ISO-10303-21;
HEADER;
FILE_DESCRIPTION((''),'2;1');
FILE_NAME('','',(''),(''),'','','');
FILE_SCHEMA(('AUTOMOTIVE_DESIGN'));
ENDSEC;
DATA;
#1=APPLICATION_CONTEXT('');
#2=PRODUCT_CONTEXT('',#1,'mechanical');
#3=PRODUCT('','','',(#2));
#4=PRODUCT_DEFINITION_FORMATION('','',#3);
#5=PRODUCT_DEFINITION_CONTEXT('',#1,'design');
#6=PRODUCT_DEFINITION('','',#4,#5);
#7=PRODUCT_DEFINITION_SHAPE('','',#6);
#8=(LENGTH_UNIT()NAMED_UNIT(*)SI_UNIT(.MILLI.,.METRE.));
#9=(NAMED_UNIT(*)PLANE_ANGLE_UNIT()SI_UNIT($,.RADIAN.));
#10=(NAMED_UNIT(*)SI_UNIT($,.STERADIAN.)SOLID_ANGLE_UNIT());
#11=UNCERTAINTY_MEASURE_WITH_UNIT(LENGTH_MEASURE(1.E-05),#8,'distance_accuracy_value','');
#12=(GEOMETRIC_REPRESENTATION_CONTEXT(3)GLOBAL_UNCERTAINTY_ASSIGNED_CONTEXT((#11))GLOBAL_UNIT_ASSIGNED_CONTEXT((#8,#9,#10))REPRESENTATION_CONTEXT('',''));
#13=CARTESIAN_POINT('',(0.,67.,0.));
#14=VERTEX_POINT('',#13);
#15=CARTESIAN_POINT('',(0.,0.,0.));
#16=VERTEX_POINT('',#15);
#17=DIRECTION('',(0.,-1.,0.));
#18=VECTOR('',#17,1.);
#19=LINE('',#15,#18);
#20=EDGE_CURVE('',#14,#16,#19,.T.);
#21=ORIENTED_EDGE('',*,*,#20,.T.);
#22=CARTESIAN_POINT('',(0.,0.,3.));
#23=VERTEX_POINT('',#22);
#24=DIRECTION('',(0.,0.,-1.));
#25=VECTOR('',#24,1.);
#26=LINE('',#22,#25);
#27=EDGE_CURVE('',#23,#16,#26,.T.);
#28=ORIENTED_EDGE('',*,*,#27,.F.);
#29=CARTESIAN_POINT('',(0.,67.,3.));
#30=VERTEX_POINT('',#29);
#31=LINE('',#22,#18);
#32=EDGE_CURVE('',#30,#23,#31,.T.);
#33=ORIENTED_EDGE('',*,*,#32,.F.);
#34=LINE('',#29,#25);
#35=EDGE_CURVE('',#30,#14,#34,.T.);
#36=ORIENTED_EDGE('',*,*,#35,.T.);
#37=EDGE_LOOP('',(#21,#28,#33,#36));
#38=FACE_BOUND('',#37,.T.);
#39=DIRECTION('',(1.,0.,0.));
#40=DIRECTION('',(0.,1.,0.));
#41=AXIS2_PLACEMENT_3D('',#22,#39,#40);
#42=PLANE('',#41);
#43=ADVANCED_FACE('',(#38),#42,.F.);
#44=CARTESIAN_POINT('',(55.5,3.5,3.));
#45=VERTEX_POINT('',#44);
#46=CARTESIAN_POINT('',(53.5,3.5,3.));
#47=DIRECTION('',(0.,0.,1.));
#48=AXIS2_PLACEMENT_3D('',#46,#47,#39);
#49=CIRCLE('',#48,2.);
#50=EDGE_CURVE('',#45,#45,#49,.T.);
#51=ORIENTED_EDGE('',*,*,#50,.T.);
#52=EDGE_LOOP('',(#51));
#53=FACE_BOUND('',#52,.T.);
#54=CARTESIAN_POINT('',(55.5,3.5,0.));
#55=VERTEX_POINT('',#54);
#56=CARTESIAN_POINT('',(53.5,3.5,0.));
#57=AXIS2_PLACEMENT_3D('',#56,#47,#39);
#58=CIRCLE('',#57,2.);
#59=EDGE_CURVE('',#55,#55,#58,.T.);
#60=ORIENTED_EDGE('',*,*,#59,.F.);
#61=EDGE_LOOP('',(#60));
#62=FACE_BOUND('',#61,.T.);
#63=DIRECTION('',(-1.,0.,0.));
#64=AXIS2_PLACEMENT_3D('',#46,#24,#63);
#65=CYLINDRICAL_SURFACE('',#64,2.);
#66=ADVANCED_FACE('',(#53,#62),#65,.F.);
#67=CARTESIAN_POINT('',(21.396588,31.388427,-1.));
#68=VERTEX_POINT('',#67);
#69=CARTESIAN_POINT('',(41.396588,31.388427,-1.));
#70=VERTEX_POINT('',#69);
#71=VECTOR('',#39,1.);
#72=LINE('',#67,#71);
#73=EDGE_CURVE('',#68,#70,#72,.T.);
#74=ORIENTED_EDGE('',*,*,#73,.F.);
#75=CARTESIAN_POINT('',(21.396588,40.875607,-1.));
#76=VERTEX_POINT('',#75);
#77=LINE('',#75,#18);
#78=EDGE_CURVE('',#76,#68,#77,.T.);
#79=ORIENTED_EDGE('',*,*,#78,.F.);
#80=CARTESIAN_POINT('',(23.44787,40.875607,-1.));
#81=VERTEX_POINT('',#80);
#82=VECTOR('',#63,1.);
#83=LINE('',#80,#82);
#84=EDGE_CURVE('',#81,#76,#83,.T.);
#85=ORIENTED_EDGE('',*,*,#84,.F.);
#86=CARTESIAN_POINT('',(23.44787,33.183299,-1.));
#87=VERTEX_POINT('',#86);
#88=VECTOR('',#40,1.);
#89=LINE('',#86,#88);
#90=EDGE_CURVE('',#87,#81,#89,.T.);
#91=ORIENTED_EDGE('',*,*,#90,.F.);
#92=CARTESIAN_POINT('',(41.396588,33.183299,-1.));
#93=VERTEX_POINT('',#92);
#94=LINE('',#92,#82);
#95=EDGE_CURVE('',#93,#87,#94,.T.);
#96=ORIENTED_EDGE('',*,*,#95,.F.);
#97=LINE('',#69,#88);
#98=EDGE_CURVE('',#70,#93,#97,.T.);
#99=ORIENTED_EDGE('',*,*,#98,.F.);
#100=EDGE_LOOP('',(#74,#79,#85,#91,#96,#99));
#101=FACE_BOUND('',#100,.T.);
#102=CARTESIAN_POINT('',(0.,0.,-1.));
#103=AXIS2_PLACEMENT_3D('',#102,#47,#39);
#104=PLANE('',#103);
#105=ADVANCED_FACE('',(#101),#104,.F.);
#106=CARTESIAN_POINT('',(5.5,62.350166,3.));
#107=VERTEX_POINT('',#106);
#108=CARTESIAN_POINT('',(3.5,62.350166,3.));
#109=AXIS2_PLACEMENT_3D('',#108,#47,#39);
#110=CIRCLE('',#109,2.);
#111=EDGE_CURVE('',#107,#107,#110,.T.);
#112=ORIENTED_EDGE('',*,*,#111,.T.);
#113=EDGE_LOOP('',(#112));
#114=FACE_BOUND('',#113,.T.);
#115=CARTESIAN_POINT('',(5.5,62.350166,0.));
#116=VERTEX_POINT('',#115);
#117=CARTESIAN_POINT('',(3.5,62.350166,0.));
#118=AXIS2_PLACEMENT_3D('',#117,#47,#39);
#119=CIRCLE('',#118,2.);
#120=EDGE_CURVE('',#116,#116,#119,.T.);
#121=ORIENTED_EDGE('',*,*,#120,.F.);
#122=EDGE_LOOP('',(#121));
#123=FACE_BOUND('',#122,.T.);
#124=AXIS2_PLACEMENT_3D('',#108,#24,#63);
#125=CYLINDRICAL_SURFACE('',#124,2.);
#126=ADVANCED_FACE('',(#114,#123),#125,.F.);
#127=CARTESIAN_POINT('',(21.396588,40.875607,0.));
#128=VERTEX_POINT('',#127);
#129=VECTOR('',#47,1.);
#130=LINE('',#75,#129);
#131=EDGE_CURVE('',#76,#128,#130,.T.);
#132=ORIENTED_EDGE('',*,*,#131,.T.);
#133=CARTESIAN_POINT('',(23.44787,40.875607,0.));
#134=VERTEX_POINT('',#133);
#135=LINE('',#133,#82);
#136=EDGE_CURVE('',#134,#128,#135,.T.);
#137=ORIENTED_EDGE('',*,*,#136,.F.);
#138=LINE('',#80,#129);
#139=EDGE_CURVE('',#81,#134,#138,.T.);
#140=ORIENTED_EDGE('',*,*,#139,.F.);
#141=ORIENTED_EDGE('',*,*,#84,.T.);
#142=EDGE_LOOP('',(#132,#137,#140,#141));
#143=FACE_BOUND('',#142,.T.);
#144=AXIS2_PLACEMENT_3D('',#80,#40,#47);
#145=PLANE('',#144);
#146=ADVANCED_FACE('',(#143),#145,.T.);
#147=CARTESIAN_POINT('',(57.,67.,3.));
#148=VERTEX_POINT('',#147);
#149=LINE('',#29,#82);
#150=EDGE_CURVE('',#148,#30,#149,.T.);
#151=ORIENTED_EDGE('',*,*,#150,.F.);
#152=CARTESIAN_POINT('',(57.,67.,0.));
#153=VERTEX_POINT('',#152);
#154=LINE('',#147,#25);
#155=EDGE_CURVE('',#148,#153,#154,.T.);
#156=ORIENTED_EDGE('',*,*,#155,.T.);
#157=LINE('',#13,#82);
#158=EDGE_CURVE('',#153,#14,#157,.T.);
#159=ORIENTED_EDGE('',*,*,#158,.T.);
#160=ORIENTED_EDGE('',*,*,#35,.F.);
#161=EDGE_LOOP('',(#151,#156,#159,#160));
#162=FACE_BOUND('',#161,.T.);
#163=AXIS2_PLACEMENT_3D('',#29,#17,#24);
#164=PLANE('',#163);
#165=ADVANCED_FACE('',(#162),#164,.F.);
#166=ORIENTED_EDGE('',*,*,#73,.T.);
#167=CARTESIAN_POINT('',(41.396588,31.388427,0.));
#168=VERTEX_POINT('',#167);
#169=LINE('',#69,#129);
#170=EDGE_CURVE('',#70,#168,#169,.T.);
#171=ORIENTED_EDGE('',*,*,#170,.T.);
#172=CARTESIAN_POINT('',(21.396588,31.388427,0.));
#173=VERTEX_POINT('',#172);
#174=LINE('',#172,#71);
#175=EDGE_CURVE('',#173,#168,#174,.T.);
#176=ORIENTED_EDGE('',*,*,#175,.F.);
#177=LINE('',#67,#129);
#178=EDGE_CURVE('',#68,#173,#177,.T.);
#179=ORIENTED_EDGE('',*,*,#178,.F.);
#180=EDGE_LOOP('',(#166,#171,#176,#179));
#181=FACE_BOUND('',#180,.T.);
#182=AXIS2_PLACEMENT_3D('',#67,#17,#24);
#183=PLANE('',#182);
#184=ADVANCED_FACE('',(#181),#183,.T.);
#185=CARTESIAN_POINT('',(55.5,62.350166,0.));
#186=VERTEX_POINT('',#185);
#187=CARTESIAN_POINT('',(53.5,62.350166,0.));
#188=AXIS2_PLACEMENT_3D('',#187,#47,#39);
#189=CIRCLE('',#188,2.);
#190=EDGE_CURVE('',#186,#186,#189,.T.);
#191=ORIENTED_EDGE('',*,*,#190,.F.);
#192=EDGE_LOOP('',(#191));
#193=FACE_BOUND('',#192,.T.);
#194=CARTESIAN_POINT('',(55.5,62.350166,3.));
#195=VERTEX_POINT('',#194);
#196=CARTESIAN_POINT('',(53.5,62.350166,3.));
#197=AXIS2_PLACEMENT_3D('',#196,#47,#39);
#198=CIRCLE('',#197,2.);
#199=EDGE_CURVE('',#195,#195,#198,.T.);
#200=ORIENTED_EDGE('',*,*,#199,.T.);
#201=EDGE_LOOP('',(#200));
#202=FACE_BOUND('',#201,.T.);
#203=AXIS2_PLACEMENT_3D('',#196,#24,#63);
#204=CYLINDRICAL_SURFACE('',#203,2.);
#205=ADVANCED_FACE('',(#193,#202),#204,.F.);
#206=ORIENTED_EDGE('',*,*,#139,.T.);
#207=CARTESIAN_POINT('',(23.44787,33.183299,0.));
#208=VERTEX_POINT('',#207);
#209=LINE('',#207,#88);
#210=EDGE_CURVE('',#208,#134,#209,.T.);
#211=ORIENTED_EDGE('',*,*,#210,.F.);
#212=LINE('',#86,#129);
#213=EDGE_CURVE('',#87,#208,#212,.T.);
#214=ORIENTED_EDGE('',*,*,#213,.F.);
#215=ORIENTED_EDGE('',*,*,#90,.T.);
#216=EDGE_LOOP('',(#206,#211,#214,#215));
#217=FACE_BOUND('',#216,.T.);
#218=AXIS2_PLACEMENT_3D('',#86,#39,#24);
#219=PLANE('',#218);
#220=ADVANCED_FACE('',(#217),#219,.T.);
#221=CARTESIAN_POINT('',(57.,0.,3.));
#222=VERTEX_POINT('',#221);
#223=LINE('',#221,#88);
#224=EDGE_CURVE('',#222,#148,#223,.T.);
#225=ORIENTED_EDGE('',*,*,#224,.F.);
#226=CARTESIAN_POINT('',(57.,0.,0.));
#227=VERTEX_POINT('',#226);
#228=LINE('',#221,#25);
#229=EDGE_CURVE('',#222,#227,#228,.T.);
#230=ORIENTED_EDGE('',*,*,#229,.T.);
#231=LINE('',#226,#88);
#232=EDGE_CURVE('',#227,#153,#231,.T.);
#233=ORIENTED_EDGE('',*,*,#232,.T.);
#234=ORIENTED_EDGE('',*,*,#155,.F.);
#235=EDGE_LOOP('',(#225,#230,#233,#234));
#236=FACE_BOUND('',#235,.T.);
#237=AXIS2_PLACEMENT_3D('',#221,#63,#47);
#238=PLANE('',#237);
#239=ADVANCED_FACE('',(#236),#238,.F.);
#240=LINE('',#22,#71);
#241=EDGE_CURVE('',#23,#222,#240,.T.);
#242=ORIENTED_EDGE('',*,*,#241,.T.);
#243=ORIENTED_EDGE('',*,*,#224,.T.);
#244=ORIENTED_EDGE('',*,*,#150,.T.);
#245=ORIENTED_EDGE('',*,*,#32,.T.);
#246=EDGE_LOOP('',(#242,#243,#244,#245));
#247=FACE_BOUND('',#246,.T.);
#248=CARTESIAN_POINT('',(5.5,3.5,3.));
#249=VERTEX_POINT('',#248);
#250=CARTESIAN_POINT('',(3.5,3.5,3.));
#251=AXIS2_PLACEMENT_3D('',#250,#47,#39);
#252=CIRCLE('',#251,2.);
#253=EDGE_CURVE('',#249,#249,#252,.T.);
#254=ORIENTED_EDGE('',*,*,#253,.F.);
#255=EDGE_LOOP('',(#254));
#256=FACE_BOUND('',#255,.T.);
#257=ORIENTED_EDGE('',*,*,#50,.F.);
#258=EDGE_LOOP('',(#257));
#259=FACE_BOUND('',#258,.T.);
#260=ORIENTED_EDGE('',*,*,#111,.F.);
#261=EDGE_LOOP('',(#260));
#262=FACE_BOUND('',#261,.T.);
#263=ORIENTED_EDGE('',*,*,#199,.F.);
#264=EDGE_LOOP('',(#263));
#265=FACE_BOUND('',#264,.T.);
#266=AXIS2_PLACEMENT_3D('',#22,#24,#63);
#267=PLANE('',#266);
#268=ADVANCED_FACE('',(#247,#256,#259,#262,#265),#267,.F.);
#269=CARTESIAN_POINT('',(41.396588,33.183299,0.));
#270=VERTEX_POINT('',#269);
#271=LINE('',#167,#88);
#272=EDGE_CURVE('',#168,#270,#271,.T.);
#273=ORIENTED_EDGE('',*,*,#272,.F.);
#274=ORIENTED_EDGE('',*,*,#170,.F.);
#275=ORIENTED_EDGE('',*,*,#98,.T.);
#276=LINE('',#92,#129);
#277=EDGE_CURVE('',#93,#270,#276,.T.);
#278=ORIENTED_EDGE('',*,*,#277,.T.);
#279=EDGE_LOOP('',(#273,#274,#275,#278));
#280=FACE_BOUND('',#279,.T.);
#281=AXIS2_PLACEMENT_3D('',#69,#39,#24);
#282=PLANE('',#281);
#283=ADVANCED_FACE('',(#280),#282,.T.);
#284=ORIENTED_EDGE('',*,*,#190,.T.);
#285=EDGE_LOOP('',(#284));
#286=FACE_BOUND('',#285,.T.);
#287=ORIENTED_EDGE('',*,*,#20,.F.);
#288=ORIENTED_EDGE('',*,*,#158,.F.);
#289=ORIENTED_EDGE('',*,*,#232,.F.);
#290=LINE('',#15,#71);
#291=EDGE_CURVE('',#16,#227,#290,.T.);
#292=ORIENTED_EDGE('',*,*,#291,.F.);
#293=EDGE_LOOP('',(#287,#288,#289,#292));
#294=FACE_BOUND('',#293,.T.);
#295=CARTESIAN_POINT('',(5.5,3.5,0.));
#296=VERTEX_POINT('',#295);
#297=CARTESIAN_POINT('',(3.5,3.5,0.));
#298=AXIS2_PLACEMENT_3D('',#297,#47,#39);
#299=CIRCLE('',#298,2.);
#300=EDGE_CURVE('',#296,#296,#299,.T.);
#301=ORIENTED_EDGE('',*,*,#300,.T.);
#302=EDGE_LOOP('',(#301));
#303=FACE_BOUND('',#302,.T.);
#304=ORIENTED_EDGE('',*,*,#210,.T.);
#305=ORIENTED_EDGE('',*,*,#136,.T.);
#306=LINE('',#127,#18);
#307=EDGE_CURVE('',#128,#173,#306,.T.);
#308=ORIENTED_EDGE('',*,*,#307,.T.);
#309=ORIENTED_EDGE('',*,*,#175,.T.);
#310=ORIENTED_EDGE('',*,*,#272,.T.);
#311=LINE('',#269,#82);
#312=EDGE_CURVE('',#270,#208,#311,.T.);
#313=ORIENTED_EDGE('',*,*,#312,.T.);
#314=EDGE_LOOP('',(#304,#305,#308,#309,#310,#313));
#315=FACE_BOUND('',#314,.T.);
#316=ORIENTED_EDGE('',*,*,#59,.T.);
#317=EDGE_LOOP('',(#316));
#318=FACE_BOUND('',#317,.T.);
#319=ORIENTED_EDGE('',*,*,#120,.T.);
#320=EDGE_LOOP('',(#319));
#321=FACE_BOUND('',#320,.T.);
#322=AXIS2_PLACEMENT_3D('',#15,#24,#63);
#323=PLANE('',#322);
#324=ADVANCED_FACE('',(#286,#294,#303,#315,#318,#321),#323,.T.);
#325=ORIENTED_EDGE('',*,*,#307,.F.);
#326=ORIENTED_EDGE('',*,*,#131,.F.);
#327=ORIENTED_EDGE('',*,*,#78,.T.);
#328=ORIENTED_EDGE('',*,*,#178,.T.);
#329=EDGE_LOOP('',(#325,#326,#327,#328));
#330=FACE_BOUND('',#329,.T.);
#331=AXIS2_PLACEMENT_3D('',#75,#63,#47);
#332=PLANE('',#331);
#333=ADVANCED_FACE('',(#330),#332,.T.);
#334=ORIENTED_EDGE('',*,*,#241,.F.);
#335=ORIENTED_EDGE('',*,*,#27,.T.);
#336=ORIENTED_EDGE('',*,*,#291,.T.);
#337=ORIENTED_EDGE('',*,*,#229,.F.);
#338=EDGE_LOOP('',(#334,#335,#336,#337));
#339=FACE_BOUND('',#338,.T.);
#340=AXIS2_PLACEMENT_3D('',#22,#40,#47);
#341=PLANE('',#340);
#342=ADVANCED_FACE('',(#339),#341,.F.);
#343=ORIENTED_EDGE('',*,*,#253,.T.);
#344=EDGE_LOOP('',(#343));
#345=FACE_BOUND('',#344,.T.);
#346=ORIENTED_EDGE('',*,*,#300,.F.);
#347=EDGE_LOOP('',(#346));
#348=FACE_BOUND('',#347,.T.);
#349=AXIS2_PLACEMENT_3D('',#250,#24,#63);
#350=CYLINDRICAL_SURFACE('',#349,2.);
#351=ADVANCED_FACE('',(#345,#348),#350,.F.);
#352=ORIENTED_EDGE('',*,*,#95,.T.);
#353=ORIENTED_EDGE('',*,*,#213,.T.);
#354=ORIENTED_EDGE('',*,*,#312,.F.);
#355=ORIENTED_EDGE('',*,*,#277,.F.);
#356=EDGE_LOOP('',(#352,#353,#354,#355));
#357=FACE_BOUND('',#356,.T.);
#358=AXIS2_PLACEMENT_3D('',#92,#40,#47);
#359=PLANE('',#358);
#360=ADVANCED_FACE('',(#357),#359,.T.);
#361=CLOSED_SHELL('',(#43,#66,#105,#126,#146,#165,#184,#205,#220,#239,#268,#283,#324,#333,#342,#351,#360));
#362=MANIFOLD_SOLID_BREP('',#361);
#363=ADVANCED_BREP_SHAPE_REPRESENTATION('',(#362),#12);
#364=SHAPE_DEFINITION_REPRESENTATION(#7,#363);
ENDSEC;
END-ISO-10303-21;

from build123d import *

# Parameters (mm, degrees)
SKICA1_W                = 57
SKICA1_H                = 67
SKICA1_R                = 2
P_IDAT_VYSUNUT_M1_DEPTH = 3
P_IDAT_VYSUNUT_M2_DEPTH = 1


with BuildPart() as part:
    # Skica1 → Přidat vysunutím1 (new body)
    with BuildSketch(Plane.XY):
        with Locations((28.5, 33.5)):
            Rectangle(SKICA1_W, SKICA1_H)
        with Locations((3.5, 62.35016579)):
            Circle(SKICA1_R, mode=Mode.SUBTRACT)
        with Locations((53.5, 62.35016579)):
            Circle(SKICA1_R, mode=Mode.SUBTRACT)
        with Locations((53.5, 3.5)):
            Circle(SKICA1_R, mode=Mode.SUBTRACT)
        with Locations((3.5, 3.5)):
            Circle(SKICA1_R, mode=Mode.SUBTRACT)
    extrude(amount=P_IDAT_VYSUNUT_M1_DEPTH)

    # Skica2 → Přidat vysunutím2 (add)
    with BuildSketch(Plane(origin=(0, 0, 0), x_dir=(-1, 0, 0), z_dir=(0, 0, -1))):
        Polygon((-41.396588298, 31.388427372), (-41.396588298, 33.183299167), (-23.447870349, 33.183299167), (-23.447870349, 40.87560686), (-21.396588298, 40.87560686), (-21.396588298, 31.388427372), align=None)
    extrude(amount=P_IDAT_VYSUNUT_M2_DEPTH)


solid = part.part
